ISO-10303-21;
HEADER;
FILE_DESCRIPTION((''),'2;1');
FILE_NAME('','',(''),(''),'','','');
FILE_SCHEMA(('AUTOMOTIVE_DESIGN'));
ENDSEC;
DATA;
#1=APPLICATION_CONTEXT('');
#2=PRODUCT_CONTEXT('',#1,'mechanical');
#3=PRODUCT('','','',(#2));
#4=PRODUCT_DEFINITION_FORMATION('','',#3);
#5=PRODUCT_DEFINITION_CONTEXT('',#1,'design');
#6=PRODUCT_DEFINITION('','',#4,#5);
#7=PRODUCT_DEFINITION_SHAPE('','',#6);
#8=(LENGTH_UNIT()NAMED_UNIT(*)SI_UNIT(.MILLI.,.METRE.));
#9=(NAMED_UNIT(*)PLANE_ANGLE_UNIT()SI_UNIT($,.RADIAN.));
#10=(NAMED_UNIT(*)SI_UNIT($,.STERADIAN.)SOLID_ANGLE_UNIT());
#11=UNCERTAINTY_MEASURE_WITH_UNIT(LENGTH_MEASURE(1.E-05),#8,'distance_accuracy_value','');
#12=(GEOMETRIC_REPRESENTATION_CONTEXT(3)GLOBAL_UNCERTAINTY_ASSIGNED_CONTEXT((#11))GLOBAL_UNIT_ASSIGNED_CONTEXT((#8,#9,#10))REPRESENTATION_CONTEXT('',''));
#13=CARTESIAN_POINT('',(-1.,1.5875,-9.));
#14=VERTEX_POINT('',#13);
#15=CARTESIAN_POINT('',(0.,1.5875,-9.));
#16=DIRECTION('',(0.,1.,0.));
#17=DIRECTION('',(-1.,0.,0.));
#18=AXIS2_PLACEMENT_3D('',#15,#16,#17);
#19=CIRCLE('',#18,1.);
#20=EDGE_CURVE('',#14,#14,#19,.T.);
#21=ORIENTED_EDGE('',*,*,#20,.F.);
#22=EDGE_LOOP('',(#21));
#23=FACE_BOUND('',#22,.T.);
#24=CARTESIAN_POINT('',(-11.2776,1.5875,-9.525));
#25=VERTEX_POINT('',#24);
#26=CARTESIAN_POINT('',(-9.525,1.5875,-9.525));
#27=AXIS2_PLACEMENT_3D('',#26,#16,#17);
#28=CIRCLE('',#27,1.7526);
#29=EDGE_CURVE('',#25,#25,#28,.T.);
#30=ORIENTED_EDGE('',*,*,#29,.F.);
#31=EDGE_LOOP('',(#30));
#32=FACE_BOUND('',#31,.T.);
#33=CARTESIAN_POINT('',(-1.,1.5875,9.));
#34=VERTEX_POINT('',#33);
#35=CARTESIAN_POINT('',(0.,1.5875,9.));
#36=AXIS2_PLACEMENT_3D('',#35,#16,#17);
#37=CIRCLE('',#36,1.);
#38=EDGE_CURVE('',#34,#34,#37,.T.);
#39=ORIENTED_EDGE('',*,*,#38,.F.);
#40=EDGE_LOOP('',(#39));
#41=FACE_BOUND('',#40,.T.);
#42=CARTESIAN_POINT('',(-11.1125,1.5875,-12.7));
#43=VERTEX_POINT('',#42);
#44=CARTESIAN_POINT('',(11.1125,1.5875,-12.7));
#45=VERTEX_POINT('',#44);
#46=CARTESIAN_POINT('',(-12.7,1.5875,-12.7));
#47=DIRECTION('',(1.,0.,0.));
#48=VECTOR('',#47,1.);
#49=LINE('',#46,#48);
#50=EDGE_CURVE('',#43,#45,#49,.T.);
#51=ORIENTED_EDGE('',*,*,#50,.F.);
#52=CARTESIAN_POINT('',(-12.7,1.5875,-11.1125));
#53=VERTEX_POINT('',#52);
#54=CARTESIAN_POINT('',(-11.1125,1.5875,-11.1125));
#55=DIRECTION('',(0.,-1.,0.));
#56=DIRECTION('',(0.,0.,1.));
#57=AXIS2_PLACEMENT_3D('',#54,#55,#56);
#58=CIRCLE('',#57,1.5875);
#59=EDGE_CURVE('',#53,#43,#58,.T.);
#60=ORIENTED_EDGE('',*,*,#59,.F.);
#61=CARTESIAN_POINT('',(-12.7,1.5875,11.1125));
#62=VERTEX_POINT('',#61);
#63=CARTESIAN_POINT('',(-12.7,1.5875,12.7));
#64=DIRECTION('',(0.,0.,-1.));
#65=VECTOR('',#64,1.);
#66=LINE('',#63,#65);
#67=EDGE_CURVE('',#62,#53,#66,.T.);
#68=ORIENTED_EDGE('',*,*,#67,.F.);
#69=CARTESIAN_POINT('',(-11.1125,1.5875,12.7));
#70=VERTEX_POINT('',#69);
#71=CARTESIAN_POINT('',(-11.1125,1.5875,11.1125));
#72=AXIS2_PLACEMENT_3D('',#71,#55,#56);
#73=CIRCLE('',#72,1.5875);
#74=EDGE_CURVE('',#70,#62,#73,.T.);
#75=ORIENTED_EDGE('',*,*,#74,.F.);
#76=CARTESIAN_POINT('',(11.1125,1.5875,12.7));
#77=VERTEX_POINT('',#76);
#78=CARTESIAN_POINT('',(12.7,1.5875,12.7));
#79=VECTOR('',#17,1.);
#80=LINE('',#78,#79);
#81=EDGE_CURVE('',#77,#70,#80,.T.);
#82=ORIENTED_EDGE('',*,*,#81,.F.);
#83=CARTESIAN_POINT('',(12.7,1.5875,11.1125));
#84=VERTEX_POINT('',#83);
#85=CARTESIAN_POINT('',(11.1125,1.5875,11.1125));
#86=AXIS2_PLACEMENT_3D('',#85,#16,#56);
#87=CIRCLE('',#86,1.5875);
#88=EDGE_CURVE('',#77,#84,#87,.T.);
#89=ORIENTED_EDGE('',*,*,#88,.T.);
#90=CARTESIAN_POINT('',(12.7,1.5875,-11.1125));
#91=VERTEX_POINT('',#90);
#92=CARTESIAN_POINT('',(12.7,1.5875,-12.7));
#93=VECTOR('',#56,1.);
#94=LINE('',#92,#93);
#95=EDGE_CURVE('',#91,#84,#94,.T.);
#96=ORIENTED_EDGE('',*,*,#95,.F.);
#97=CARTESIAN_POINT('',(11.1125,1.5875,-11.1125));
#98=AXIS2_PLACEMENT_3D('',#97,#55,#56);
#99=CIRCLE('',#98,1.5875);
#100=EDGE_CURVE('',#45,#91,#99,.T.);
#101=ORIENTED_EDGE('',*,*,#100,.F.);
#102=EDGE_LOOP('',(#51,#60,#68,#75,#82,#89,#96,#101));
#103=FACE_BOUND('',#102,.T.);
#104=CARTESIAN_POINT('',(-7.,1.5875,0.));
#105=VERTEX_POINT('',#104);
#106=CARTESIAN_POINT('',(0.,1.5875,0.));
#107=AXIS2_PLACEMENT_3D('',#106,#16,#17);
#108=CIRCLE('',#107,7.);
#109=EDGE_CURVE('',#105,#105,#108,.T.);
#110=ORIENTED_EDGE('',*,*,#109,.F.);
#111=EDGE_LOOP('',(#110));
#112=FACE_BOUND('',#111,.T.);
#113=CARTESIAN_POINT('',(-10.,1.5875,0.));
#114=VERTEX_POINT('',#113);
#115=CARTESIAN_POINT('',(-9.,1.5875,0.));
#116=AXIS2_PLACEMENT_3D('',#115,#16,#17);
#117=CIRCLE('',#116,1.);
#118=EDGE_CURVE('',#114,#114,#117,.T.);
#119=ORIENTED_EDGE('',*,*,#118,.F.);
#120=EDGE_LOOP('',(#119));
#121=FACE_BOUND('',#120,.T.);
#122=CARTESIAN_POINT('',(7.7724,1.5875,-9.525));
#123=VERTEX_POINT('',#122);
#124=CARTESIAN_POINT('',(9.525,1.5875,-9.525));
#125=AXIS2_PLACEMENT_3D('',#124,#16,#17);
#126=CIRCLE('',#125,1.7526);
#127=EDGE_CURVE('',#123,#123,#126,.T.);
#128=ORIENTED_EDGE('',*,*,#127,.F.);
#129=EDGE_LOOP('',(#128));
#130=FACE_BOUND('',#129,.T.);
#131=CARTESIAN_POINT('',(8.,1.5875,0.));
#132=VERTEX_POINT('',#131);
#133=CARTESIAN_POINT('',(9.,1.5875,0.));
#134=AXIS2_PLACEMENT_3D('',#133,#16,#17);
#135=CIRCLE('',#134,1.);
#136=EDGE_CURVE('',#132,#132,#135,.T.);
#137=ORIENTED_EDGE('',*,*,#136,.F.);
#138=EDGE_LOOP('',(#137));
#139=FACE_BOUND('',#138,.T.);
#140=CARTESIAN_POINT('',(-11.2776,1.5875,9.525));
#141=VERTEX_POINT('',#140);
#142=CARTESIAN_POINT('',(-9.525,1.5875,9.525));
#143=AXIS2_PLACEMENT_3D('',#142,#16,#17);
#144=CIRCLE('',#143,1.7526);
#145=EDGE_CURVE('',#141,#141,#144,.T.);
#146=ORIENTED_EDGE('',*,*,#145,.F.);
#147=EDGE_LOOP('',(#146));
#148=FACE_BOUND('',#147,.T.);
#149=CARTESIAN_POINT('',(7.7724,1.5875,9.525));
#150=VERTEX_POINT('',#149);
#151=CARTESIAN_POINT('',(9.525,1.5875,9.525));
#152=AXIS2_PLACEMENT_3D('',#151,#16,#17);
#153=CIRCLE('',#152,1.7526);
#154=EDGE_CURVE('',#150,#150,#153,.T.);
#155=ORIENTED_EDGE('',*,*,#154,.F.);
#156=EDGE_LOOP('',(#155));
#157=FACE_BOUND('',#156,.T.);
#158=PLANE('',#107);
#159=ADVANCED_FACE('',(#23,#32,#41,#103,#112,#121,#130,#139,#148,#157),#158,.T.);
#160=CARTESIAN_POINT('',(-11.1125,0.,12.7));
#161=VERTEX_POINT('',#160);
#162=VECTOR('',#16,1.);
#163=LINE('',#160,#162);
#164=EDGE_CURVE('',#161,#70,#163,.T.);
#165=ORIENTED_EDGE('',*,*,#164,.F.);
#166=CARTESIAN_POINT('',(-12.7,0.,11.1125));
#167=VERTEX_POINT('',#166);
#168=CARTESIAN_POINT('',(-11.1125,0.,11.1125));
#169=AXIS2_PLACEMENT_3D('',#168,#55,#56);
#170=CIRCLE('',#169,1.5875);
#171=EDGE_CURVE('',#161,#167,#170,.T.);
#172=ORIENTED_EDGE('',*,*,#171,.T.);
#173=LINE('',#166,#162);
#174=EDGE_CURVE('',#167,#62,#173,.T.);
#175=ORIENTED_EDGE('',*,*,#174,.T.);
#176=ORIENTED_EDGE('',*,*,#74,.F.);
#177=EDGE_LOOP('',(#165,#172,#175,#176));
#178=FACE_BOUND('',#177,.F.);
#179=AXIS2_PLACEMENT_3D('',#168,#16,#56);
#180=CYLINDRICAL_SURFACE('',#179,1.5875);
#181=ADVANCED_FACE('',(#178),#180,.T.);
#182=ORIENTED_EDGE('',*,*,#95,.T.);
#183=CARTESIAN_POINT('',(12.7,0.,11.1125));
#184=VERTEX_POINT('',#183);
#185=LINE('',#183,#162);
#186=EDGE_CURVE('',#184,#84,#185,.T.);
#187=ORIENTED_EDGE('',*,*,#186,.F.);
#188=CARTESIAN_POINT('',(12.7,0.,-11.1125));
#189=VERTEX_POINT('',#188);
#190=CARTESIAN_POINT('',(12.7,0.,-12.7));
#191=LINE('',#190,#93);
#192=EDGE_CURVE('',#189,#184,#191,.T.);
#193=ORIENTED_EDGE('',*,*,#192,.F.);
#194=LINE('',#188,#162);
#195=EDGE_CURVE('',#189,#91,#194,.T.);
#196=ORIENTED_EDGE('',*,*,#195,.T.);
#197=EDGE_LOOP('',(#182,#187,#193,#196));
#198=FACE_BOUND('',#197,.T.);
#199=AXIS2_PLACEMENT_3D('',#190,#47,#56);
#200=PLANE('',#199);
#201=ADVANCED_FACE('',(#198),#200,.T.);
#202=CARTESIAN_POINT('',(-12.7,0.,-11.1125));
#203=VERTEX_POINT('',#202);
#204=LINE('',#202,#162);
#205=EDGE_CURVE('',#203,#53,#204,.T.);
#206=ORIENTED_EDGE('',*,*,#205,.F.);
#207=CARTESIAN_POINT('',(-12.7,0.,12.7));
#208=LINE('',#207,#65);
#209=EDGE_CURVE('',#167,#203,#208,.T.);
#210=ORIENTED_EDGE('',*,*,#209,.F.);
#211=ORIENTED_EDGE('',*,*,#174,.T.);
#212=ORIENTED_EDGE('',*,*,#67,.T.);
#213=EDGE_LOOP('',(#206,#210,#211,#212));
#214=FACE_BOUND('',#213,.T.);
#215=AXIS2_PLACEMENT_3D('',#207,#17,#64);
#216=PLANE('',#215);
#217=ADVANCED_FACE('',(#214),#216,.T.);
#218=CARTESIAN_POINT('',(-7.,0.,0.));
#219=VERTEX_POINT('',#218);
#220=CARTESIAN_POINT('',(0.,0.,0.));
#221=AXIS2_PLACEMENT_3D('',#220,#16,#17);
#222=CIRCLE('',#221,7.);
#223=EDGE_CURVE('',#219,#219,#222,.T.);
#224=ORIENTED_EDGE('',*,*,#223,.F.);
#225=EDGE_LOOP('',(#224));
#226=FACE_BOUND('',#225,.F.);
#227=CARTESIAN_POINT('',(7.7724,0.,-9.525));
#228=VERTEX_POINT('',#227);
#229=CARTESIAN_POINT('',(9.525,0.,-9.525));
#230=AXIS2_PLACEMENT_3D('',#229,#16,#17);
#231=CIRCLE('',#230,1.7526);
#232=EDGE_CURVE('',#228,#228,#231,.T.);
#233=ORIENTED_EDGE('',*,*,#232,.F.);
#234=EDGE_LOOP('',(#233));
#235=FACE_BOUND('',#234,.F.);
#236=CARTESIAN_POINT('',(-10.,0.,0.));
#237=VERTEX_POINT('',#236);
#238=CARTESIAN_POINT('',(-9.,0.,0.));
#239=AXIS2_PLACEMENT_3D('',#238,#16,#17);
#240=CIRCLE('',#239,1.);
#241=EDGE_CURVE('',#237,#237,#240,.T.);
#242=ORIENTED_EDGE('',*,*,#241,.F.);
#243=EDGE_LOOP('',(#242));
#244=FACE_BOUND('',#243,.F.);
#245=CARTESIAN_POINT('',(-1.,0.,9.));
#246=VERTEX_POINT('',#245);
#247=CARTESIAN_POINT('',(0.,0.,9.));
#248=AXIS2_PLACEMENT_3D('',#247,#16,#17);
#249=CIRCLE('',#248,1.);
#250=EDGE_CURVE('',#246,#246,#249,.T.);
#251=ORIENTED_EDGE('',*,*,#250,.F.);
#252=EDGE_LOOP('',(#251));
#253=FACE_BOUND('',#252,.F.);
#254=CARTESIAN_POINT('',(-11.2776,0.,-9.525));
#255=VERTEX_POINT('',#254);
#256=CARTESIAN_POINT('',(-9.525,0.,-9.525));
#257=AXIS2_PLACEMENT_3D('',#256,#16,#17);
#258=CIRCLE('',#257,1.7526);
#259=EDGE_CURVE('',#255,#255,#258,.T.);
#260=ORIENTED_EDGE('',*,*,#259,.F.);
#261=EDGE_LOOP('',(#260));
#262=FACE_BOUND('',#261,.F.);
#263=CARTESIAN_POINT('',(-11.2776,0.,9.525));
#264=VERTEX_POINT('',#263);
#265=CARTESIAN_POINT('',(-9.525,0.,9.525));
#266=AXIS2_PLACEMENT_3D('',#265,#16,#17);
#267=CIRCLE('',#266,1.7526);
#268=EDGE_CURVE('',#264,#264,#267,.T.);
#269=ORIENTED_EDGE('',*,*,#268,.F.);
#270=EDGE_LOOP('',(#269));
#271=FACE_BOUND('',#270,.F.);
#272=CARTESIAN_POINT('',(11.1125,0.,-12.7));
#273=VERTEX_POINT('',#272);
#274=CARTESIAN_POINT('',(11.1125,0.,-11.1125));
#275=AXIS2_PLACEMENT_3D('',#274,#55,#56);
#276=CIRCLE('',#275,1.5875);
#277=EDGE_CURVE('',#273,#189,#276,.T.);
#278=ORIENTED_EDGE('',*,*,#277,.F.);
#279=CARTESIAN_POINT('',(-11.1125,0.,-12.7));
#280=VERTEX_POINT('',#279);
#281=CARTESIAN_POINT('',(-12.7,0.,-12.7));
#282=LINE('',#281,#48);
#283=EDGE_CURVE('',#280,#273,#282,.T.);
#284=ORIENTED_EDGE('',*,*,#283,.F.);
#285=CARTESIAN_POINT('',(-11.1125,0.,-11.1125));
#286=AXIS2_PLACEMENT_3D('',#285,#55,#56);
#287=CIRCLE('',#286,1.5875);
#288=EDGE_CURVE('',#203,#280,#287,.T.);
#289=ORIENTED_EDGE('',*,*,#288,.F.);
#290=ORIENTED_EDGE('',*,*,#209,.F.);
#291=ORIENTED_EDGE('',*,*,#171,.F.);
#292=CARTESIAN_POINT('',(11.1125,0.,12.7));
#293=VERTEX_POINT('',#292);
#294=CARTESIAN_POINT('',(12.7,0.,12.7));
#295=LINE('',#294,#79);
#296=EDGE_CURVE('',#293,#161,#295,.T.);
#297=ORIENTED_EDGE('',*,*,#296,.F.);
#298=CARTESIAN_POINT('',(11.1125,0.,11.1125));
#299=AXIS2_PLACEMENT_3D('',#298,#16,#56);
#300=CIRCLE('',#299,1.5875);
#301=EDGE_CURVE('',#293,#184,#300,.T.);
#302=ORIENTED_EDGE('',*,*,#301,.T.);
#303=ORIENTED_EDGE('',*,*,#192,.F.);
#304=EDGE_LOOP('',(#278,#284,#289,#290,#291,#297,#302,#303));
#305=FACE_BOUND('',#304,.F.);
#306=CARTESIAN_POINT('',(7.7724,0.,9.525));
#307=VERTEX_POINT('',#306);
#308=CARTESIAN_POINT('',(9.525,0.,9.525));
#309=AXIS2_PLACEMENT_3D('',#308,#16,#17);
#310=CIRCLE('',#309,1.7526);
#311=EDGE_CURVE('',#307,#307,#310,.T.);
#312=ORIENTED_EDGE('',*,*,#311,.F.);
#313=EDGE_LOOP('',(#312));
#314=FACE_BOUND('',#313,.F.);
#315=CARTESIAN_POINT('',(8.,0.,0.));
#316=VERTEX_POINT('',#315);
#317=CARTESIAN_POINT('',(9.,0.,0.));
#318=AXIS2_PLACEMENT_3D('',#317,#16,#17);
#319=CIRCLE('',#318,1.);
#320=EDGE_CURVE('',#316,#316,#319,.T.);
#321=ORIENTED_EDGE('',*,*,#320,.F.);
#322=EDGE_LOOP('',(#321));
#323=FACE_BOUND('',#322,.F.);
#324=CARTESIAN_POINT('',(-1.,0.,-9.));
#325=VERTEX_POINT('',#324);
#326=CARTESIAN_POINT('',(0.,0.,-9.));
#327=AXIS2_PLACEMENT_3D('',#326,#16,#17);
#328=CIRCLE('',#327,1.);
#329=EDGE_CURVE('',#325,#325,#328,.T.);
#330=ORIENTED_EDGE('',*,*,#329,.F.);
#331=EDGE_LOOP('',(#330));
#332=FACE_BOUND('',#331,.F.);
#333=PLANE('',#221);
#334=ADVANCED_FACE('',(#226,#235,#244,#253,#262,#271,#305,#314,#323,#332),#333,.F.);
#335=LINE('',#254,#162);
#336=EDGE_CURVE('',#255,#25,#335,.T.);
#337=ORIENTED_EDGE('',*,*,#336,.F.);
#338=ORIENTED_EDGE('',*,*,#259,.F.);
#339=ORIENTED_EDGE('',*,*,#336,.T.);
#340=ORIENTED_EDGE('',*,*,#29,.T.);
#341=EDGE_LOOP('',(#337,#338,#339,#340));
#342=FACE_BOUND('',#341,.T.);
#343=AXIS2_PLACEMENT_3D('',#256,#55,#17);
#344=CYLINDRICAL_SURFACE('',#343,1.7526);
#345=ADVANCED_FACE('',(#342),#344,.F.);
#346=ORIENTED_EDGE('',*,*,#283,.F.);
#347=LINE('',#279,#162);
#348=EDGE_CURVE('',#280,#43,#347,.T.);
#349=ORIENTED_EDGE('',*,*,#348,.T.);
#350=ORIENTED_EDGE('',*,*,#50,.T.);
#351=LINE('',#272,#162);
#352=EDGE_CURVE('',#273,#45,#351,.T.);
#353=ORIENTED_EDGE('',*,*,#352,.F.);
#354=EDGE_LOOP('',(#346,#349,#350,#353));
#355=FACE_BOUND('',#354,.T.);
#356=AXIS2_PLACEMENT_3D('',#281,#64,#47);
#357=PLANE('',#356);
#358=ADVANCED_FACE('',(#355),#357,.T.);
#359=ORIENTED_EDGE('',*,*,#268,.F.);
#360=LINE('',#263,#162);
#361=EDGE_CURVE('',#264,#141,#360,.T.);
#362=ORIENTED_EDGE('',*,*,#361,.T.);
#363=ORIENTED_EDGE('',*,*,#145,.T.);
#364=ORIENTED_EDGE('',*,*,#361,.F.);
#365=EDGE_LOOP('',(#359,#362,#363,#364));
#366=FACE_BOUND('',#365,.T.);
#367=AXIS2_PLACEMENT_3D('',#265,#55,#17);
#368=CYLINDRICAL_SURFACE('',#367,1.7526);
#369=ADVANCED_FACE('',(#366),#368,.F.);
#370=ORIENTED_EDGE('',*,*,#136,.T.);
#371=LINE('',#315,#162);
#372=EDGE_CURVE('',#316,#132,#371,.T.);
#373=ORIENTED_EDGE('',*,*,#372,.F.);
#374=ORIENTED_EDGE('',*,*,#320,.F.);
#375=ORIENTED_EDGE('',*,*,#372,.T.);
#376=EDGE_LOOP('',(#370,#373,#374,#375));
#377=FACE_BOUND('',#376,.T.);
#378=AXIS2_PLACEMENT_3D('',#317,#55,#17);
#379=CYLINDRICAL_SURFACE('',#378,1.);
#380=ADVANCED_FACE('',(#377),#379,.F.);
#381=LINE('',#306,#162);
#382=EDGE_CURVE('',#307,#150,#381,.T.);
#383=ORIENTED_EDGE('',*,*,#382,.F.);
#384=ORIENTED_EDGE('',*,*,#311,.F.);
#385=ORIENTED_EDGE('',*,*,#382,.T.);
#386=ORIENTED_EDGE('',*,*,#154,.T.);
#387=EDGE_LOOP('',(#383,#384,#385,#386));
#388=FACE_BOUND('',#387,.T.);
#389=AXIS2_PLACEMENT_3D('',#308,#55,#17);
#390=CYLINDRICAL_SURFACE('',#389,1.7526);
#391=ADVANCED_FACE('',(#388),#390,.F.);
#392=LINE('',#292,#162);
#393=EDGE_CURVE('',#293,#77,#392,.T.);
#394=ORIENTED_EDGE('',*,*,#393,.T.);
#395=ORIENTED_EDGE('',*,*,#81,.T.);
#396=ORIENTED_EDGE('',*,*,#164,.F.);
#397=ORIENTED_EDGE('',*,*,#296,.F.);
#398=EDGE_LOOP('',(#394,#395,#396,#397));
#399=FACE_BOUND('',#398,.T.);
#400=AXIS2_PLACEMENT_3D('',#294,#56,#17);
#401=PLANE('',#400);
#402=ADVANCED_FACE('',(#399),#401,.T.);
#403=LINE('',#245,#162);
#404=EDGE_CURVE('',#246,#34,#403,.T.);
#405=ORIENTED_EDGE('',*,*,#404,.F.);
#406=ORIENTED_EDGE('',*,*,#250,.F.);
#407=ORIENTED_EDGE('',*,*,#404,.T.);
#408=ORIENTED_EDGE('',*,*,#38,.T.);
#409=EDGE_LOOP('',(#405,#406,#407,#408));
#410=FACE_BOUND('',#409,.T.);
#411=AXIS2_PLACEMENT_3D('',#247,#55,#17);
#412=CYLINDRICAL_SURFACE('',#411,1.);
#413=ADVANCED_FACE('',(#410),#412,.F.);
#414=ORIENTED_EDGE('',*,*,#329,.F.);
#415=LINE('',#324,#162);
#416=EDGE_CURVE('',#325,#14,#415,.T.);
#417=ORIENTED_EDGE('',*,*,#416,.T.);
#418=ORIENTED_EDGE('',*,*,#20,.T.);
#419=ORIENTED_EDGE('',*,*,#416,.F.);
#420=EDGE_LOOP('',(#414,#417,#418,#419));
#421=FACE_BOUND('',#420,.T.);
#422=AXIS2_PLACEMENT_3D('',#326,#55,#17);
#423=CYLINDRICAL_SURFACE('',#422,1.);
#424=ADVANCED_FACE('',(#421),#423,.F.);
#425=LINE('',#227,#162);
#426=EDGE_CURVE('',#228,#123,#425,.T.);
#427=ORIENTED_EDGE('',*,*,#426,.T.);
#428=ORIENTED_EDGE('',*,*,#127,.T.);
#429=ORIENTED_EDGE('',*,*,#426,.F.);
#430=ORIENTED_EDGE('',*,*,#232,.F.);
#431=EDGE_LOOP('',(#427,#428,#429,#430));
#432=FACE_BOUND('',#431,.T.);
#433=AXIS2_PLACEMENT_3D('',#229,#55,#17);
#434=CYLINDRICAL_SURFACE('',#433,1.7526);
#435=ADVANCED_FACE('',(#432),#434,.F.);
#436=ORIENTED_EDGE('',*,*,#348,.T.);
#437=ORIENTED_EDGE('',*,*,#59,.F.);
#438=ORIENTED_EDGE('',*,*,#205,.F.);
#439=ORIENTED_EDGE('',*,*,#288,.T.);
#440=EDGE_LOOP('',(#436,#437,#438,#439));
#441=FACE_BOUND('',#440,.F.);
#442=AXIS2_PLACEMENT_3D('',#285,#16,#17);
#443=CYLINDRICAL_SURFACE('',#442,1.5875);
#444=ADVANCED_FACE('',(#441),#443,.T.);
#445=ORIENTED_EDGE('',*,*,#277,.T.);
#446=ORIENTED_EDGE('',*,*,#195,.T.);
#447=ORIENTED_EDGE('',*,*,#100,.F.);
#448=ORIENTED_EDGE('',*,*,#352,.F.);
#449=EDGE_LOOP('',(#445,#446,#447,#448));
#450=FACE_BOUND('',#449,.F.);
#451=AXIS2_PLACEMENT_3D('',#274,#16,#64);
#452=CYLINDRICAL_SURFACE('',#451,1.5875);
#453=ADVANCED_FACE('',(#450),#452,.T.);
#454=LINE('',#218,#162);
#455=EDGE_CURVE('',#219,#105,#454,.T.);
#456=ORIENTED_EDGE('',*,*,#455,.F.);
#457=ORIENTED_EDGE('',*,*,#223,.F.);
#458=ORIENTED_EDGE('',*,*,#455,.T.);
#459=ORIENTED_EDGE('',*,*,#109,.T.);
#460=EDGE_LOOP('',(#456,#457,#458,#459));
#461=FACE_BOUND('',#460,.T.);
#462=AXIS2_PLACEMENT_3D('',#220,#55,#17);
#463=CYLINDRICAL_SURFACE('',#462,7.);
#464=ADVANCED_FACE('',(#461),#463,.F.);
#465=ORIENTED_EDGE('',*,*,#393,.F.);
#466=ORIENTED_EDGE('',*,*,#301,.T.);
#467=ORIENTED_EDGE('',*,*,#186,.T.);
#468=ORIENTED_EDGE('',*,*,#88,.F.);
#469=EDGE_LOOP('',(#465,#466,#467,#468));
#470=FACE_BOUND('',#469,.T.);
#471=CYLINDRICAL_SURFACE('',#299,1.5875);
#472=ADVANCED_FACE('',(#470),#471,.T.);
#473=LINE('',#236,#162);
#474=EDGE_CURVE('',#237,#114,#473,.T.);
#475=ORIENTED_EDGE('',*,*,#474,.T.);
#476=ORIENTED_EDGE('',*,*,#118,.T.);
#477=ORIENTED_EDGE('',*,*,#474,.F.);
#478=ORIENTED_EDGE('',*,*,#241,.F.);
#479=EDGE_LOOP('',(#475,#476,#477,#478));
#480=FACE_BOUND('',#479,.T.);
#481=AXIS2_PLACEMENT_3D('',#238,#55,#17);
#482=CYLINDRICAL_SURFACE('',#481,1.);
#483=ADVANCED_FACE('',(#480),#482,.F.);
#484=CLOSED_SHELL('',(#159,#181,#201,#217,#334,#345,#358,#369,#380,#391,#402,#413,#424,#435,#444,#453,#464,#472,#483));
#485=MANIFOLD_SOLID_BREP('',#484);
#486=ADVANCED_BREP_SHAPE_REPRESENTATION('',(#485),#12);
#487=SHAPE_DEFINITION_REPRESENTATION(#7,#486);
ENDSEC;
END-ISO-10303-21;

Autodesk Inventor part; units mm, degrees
ref_plane "YZ Plane" through (0, 0, 0) normal (1, 0, 0) x (0, 1, 0)
ref_plane "XZ Plane" through (0, 0, 0) normal (0, 1, 0) x (-1, 0, 0)
ref_plane "XY Plane" through (0, 0, 0) normal (0, 0, 1) x (1, 0, 0)
sketch "Sketch1" plane through (0, 0, 0) normal (0, 1, 0) x (-1, 0, 0)
  line L0 (-12.7, 12.7) -> (12.7, 12.7)
  line L1 (12.7, 12.7) -> (12.7, -12.7)
  line L2 (12.7, -12.7) -> (-12.7, -12.7)
  line L3 (-12.7, -12.7) -> (-12.7, 12.7)
  line L4 (-12.7, 12.7) -> (12.7, -12.7) construction
  line L5 (12.7, 12.7) -> (-12.7, -12.7) construction
  line L6 (-9.525, 9.525) -> (9.525, 9.525) construction
  line L7 (9.525, 9.525) -> (9.525, -9.525) construction
  line L8 (9.525, -9.525) -> (-9.525, -9.525) construction
  line L9 (-9.525, -9.525) -> (-9.525, 9.525) construction
  line L10 (-9.525, 9.525) -> (9.525, -9.525) construction
  line L11 (9.525, 9.525) -> (-9.525, -9.525) construction
  circle A0 centre (9.525, 9.525) radius 1.7526
  circle A1 centre (-9.525, 9.525) radius 1.7526
  circle A2 centre (-9.525, -9.525) radius 1.7526
  circle A3 centre (9.525, -9.525) radius 1.7526
  circle A4 centre (0, 0) radius 7
  circle A5 centre (0, 0) radius 9 construction
  line L12 (9, 0) -> (0, 0) construction
  circle A6 centre (9, 0) radius 1
  circle A7 centre (0, 9) radius 1
  circle A8 centre (-9, 0) radius 1
  circle A9 centre (0, -9) radius 1
  dimension "d10" = 18
  dimension "d0" = 25.4
  dimension "d1" = 25.4
  dimension "d2" = 19.05
  dimension "d3" = 19.05
  dimension "d4" = 3.5052
  dimension "d7" = 360
  dimension "d9" = 14
  dimension "d11" = 2
  dimension "d14" = 360
extrude "Extrusion1" add sketch "Sketch1" along normal blind 1.5875
fillet "Fillet1" radius 1.5875 4 edges at (-12.7, 0.7937, 12.7) (12.7, 0.7937, 12.7) (-12.7, 0.7937, -12.7) (12.7, 0.7937, -12.7)
properties part number "Drive Plate"
